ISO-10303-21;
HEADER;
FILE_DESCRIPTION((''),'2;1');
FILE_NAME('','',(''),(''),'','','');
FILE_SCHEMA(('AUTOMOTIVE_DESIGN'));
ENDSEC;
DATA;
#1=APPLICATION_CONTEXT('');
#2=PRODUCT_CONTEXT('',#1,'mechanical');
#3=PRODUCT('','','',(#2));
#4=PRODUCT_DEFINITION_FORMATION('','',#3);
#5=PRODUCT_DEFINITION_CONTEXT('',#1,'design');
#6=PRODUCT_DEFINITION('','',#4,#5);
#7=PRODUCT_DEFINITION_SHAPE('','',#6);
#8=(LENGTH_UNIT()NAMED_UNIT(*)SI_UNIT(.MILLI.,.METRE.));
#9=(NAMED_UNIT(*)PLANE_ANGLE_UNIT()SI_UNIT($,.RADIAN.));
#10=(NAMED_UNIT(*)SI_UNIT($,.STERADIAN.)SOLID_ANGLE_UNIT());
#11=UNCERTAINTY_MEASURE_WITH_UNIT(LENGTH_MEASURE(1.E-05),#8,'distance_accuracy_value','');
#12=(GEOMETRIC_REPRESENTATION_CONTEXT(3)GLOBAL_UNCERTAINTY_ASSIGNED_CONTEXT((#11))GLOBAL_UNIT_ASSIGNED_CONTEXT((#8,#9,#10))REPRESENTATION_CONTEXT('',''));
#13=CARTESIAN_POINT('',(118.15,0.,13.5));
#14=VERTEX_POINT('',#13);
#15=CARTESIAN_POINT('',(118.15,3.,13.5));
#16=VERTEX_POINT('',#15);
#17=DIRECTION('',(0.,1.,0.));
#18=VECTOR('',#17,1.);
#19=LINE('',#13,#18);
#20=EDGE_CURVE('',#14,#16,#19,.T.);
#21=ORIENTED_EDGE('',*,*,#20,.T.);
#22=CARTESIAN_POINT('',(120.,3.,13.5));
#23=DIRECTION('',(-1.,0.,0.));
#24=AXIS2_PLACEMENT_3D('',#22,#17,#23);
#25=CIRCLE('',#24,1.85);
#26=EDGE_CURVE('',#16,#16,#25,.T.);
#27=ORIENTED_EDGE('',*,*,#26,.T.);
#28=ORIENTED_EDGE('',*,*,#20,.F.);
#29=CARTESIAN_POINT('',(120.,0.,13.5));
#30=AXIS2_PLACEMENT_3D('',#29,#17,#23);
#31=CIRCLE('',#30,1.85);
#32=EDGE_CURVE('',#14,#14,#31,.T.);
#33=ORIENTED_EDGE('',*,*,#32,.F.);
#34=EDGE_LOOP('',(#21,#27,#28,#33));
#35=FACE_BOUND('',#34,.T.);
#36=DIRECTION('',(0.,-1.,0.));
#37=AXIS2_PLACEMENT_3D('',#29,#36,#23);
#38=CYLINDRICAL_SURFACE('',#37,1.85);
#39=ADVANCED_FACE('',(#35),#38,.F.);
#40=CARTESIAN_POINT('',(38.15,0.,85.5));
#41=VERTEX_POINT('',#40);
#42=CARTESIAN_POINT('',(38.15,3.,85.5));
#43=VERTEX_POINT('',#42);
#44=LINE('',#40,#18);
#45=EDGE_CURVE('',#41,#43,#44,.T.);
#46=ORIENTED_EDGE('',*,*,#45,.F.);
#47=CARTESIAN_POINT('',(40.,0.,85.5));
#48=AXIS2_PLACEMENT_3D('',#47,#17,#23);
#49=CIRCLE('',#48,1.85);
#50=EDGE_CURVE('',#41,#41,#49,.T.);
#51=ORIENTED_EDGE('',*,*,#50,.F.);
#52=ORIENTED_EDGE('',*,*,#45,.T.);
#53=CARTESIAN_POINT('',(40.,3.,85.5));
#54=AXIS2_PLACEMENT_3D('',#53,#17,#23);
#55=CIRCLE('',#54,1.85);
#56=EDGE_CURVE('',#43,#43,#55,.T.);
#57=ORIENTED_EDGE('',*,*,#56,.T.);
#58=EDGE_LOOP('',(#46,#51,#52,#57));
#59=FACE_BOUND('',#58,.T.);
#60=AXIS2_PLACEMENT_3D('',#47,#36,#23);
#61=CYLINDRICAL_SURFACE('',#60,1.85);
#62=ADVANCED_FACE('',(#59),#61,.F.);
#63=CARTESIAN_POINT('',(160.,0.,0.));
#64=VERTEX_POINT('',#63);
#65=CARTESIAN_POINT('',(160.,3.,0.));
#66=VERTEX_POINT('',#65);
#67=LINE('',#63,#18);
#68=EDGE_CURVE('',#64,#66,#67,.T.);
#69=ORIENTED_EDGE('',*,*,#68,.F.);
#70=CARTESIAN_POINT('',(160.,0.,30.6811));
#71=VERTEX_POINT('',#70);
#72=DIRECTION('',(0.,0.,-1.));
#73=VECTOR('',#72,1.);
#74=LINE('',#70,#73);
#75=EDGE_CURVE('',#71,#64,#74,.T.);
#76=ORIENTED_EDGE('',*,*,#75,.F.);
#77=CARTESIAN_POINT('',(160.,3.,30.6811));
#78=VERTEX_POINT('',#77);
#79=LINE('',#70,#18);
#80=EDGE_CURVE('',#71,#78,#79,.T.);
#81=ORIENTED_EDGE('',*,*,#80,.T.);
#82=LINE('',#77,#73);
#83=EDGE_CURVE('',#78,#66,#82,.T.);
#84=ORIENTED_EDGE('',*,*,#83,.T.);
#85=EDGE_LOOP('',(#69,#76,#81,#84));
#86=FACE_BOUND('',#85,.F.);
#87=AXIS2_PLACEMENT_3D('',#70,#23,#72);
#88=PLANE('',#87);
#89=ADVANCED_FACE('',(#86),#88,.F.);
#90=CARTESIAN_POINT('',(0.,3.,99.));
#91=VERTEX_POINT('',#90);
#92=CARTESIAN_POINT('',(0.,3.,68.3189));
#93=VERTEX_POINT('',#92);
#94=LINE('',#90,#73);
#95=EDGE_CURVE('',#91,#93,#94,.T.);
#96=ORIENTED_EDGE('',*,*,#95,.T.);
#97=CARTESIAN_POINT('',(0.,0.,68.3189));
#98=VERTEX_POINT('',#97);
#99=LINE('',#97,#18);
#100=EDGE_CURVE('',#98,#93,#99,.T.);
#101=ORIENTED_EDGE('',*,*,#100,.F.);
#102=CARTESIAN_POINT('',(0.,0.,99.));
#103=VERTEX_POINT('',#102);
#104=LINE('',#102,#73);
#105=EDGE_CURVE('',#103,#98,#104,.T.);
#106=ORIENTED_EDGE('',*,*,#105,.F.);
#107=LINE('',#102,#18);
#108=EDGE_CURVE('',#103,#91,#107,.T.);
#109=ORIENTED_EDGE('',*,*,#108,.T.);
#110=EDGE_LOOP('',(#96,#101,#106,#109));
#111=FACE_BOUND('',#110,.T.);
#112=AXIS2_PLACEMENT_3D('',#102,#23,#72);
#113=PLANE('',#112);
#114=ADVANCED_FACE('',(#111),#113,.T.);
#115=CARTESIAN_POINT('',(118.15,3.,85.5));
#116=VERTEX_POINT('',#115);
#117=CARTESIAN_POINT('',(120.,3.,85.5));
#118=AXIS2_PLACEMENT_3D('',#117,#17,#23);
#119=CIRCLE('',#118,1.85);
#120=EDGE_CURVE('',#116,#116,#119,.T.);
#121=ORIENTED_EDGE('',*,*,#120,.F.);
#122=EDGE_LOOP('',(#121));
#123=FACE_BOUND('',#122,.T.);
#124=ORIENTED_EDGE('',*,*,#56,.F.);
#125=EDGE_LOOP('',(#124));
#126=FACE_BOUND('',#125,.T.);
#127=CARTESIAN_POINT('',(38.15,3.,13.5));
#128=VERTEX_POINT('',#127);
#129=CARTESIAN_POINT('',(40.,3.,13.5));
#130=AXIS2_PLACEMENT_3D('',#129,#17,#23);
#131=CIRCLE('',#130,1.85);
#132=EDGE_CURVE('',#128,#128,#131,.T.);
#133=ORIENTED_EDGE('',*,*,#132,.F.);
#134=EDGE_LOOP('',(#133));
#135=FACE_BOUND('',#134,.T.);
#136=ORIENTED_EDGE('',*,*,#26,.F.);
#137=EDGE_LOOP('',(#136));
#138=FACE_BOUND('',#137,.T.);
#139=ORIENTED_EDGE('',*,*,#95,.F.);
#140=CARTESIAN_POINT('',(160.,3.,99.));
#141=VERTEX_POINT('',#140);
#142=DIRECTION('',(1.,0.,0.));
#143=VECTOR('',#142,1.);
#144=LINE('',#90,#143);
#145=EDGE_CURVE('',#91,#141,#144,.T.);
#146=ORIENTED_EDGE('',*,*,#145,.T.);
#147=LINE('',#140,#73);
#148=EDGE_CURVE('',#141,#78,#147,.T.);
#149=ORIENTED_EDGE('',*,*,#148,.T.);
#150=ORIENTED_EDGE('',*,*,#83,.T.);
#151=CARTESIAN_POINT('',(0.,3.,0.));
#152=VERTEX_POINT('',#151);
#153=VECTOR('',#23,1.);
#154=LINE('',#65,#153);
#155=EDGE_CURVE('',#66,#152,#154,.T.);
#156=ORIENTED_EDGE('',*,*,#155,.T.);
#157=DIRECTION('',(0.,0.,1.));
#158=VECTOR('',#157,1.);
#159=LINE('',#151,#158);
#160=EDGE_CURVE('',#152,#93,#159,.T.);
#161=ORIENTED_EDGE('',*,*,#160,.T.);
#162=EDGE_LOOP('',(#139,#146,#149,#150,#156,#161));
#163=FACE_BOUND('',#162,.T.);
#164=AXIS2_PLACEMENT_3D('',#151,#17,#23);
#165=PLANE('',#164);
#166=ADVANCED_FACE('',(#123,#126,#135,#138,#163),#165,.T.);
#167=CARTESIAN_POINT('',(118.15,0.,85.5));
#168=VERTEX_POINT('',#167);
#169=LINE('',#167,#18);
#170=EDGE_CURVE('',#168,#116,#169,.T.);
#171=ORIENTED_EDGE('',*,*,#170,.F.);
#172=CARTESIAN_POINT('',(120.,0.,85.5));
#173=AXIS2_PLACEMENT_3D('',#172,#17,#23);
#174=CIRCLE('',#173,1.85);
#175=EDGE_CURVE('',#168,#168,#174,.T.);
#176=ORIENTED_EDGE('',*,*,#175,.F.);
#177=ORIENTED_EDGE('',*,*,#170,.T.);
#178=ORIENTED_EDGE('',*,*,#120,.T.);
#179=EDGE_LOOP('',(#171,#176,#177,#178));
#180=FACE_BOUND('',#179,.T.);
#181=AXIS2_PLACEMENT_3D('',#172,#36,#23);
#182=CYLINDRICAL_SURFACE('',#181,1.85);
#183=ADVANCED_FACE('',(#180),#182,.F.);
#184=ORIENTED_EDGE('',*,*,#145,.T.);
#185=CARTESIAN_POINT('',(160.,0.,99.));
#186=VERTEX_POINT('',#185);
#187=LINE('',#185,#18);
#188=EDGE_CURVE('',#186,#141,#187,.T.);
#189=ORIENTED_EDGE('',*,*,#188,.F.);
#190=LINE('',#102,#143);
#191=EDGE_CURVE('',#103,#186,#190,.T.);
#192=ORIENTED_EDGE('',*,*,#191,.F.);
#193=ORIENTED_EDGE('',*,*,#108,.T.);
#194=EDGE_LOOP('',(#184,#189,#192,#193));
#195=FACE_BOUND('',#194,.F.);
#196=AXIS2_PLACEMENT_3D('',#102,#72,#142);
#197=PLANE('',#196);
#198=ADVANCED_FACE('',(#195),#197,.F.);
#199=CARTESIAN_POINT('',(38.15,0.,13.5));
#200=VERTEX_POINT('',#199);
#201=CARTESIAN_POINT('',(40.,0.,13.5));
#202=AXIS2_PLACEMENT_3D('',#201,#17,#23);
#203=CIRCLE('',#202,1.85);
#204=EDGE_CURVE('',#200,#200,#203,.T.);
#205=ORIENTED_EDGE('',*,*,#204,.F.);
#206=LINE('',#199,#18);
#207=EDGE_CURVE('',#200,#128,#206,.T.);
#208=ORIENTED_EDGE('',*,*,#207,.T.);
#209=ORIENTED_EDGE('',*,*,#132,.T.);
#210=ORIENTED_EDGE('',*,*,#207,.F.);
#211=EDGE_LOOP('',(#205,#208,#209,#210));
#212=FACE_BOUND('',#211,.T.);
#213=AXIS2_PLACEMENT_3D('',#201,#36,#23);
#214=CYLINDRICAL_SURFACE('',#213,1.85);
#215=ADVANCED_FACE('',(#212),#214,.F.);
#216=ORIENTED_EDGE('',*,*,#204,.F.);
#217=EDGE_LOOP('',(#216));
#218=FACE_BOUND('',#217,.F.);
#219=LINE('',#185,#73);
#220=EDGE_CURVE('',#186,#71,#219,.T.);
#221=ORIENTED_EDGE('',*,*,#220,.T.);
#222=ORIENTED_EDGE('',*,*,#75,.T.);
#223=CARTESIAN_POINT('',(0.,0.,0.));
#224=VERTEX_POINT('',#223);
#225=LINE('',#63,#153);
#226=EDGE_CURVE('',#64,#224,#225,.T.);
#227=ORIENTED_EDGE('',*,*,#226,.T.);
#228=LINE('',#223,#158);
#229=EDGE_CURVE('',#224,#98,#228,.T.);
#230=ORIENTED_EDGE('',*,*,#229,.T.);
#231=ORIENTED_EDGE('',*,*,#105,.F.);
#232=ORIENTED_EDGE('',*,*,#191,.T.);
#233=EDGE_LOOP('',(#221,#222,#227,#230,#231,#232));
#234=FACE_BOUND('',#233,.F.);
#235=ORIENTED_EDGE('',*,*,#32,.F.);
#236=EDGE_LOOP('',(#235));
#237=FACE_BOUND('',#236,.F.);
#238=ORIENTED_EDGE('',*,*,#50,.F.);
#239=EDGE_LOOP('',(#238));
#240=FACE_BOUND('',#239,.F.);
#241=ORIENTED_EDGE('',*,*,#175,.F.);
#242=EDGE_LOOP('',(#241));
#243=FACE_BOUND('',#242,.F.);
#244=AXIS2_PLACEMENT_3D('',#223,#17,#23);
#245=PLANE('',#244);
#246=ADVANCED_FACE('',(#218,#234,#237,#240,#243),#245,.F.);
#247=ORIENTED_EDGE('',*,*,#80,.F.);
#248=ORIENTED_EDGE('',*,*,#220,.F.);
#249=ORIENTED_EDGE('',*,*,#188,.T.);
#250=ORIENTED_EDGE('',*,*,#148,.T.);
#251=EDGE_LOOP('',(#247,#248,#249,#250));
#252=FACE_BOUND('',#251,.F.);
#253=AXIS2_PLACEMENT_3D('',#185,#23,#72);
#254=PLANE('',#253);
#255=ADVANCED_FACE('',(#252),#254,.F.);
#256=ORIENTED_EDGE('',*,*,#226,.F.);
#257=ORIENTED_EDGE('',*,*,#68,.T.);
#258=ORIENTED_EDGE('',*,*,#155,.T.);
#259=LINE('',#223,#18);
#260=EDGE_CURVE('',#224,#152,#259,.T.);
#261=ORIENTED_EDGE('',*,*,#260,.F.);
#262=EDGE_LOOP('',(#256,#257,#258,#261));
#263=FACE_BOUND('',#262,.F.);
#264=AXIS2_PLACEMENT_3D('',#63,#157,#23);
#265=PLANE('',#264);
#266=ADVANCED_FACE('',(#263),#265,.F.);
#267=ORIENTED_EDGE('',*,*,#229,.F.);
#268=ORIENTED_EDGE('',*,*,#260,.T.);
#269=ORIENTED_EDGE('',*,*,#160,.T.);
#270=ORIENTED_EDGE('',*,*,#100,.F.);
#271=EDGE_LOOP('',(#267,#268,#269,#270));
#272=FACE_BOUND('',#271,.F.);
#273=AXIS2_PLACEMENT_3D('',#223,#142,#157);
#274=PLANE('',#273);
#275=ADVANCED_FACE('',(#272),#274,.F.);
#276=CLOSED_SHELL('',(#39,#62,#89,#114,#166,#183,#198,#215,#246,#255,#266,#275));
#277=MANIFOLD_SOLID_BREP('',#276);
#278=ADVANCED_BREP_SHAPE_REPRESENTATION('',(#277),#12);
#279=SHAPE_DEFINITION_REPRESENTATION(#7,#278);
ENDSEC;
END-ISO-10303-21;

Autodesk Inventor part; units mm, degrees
ref_plane "YZ Plane" through (0, 0, 0) normal (1, 0, 0) x (0, 1, 0)
ref_plane "XZ Plane" through (0, 0, 0) normal (0, 1, 0) x (-1, 0, 0)
ref_plane "XY Plane" through (0, 0, 0) normal (0, 0, 1) x (1, 0, 0)
sketch "Эскиз1" plane through (0, 0, 0) normal (0, 1, 0) x (-1, 0, 0)
  circle A0 centre (-40, 85.5) radius 1.85
  circle A1 centre (-40, 13.5) radius 1.85
  circle A2 centre (-120, 85.5) radius 1.85
  circle A3 centre (-120, 13.5) radius 1.85
  line L0 (0, 99) -> (0, 68.3189)
  line L1 (0, 99) -> (-160, 99)
  line L2 (-160, 0) -> (0, 0)
  line L3 (-160, 30.6811) -> (-160, 0)
  line L4 (0, 99) -> (-160, 99)
  line L5 (-160, 99) -> (-160, 0)
  line L6 (-160, 0) -> (0, 0)
  line L7 (0, 0) -> (0, 99)
extrude "Выдавливание1" add sketch "Эскиз1" along normal blind 3
properties part number "KB33-046-004-001 - Центральная пластина" material "Дерево (вишня)"
